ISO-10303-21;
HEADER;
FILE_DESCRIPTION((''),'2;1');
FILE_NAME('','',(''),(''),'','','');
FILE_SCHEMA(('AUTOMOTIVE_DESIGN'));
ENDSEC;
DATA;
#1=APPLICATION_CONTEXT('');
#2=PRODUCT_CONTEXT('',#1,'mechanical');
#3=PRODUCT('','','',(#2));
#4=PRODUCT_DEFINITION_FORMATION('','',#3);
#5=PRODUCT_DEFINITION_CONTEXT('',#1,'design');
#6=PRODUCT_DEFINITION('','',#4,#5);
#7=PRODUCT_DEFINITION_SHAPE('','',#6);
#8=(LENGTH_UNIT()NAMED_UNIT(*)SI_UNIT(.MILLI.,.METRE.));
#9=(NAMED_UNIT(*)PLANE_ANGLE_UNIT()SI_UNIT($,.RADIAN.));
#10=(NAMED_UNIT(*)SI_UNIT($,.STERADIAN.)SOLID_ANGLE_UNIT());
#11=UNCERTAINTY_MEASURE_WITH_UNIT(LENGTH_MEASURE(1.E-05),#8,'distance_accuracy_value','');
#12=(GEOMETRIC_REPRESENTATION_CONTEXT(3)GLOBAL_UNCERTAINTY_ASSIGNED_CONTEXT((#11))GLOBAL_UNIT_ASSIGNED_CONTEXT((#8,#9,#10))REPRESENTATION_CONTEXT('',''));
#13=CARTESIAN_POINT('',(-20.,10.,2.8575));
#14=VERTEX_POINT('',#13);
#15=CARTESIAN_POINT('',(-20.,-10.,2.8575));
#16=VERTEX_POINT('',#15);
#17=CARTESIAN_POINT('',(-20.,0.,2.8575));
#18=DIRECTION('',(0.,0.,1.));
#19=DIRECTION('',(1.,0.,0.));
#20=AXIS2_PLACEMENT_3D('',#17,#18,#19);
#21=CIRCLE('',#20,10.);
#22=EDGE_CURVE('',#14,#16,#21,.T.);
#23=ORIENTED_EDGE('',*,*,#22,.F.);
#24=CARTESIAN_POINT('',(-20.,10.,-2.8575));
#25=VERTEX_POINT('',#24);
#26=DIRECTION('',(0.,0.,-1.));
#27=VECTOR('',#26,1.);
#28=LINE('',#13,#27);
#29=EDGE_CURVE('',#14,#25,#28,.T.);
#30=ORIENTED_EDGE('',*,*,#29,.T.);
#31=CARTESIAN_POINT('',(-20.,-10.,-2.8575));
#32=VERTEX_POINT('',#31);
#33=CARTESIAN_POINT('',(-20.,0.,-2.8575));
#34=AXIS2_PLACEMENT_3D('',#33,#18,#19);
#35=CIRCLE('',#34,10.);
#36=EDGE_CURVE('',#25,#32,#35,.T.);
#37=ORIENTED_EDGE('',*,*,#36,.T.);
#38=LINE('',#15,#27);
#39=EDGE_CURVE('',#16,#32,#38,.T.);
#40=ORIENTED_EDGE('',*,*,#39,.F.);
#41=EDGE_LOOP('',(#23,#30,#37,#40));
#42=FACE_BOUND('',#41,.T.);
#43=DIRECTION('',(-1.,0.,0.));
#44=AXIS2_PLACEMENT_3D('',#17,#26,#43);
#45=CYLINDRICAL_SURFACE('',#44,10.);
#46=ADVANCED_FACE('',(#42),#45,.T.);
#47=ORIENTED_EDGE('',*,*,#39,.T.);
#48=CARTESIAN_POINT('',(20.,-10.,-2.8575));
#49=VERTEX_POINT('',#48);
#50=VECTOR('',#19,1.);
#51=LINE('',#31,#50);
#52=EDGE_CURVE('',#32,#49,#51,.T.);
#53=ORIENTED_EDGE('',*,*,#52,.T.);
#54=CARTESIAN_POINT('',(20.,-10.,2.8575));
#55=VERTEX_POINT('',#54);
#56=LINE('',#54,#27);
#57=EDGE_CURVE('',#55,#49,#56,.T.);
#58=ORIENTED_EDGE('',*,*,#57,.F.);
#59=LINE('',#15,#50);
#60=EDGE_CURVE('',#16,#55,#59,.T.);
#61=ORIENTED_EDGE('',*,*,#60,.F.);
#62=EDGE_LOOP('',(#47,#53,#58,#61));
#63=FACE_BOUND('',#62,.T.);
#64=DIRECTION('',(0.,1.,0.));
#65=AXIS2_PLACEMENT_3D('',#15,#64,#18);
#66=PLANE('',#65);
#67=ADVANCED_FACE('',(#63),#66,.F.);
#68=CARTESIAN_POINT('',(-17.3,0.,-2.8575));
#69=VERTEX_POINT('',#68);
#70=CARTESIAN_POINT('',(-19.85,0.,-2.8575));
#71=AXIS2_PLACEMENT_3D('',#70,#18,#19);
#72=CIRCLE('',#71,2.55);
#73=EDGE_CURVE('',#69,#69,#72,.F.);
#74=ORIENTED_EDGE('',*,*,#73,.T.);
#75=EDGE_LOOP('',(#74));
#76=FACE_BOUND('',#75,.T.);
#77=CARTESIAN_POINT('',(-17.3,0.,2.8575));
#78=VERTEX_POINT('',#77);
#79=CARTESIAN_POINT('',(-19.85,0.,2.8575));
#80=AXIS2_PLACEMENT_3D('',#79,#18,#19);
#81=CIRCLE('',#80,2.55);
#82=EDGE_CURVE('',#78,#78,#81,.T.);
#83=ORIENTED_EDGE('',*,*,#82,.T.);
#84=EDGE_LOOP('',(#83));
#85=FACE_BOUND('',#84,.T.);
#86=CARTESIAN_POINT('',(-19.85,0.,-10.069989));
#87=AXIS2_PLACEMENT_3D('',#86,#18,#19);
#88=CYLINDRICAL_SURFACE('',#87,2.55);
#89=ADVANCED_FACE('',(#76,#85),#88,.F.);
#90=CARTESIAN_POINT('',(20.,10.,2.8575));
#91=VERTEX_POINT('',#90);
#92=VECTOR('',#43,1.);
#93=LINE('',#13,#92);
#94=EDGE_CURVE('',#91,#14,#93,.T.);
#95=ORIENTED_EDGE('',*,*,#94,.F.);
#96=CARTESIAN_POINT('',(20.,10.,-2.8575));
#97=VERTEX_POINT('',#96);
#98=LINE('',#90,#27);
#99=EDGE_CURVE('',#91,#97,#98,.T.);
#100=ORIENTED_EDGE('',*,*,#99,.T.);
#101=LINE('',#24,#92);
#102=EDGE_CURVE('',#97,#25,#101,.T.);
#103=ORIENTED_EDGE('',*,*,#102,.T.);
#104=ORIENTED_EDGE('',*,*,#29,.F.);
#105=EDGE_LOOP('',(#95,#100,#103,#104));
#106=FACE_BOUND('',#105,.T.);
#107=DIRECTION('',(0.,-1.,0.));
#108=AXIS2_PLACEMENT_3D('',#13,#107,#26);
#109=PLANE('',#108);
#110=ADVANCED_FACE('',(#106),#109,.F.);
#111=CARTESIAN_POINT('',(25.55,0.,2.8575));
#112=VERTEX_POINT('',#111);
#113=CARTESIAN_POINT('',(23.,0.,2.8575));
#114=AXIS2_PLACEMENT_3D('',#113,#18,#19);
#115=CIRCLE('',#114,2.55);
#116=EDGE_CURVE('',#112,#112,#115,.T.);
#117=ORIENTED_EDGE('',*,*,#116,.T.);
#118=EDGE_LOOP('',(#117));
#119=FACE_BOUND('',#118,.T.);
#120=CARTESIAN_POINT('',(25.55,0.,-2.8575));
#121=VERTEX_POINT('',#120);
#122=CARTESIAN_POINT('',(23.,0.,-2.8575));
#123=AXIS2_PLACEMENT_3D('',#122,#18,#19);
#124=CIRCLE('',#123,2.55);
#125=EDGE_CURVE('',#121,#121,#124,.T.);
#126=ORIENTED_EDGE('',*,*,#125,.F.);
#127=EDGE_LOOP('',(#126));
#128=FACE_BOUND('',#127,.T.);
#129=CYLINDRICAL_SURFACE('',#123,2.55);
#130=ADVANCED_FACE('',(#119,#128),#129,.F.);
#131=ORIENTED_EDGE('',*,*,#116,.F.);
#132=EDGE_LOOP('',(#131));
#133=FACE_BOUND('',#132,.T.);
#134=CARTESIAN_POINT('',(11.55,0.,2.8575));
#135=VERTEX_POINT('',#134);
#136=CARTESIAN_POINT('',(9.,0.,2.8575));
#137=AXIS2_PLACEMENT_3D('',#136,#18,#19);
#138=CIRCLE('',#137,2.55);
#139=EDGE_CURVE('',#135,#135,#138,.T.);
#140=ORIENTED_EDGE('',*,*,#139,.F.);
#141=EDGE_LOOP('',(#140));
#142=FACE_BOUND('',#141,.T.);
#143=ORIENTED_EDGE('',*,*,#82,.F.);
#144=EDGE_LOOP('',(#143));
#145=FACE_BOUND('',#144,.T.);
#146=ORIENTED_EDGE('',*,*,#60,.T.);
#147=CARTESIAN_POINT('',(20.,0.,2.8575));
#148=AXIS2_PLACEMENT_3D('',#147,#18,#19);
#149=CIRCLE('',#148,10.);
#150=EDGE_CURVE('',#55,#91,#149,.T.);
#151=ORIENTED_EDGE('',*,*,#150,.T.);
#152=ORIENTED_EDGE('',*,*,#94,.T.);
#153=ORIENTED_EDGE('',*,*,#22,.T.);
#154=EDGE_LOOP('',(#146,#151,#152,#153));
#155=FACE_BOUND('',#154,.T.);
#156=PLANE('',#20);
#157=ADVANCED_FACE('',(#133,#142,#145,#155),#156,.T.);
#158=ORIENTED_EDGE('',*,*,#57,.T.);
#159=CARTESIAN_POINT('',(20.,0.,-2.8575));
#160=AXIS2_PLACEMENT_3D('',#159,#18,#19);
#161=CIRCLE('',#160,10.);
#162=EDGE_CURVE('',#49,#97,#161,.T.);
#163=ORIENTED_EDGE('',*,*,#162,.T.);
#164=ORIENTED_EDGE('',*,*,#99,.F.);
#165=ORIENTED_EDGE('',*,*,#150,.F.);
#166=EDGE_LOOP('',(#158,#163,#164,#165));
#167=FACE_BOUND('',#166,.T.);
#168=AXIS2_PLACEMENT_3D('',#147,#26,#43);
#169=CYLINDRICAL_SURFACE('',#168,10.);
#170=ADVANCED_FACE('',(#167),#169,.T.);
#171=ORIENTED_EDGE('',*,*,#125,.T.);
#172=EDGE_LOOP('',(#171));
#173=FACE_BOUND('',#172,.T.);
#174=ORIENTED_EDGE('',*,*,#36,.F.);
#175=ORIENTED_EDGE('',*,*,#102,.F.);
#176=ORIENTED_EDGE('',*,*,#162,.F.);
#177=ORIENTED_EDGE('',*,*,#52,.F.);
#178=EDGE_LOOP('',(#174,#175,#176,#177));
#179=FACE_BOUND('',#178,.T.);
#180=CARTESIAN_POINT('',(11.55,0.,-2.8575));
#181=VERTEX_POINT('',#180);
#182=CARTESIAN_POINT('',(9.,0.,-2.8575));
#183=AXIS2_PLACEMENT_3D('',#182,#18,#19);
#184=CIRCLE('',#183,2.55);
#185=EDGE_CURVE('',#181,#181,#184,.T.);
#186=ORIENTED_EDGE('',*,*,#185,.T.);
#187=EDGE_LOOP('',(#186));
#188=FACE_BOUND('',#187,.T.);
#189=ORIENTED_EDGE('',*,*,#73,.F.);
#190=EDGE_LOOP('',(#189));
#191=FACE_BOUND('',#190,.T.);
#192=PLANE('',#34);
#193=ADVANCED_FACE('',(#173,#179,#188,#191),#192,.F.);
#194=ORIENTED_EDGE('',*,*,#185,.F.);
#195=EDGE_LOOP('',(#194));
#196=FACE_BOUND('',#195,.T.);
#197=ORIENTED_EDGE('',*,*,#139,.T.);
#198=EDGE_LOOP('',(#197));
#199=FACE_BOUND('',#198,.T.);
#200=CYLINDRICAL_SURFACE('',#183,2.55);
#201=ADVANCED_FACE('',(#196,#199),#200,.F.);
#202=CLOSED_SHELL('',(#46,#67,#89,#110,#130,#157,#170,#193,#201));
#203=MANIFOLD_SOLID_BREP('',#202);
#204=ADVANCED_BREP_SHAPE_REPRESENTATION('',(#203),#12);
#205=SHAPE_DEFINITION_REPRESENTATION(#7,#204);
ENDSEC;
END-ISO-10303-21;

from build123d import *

# Parameters (mm, degrees)
BOSS_EXTRUDE1_DEPTH = 2.8575
SKETCH3_R           = 2.55
CUT_EXTRUDE1_DEPTH  = 6.715
SKETCH4_R           = 2.55
CUT_EXTRUDE2_DEPTH  = 5.715


with BuildPart() as part:
    # Sketch2 → Boss-Extrude1 (new body, symmetric)
    with BuildSketch(Plane.XY):
        with BuildLine():
            Line((-20, 10), (20, 10))
            ThreePointArc((20, 10), (30, 0), (20, -10))
            Line((20, -10), (-20, -10))
            ThreePointArc((-20, -10), (-30, 0), (-20, 10))
        make_face()
    extrude(amount=BOSS_EXTRUDE1_DEPTH, both=True)

    # Sketch3 → Cut-Extrude1 (cut, through all)
    with BuildSketch(Plane.XY.offset(2.8575)):
        with Locations((9, 0)):
            Circle(SKETCH3_R)
        with Locations((23, 0)):
            Circle(SKETCH3_R)
    extrude(amount=-CUT_EXTRUDE1_DEPTH, mode=Mode.SUBTRACT)

    # Sketch4 → Cut-Extrude2 (cut)
    with BuildSketch(Plane.XY.offset(2.8575)):
        with Locations((-19.85, 0)):
            Circle(SKETCH4_R)
    extrude(amount=-CUT_EXTRUDE2_DEPTH, mode=Mode.SUBTRACT)


solid = part.part
